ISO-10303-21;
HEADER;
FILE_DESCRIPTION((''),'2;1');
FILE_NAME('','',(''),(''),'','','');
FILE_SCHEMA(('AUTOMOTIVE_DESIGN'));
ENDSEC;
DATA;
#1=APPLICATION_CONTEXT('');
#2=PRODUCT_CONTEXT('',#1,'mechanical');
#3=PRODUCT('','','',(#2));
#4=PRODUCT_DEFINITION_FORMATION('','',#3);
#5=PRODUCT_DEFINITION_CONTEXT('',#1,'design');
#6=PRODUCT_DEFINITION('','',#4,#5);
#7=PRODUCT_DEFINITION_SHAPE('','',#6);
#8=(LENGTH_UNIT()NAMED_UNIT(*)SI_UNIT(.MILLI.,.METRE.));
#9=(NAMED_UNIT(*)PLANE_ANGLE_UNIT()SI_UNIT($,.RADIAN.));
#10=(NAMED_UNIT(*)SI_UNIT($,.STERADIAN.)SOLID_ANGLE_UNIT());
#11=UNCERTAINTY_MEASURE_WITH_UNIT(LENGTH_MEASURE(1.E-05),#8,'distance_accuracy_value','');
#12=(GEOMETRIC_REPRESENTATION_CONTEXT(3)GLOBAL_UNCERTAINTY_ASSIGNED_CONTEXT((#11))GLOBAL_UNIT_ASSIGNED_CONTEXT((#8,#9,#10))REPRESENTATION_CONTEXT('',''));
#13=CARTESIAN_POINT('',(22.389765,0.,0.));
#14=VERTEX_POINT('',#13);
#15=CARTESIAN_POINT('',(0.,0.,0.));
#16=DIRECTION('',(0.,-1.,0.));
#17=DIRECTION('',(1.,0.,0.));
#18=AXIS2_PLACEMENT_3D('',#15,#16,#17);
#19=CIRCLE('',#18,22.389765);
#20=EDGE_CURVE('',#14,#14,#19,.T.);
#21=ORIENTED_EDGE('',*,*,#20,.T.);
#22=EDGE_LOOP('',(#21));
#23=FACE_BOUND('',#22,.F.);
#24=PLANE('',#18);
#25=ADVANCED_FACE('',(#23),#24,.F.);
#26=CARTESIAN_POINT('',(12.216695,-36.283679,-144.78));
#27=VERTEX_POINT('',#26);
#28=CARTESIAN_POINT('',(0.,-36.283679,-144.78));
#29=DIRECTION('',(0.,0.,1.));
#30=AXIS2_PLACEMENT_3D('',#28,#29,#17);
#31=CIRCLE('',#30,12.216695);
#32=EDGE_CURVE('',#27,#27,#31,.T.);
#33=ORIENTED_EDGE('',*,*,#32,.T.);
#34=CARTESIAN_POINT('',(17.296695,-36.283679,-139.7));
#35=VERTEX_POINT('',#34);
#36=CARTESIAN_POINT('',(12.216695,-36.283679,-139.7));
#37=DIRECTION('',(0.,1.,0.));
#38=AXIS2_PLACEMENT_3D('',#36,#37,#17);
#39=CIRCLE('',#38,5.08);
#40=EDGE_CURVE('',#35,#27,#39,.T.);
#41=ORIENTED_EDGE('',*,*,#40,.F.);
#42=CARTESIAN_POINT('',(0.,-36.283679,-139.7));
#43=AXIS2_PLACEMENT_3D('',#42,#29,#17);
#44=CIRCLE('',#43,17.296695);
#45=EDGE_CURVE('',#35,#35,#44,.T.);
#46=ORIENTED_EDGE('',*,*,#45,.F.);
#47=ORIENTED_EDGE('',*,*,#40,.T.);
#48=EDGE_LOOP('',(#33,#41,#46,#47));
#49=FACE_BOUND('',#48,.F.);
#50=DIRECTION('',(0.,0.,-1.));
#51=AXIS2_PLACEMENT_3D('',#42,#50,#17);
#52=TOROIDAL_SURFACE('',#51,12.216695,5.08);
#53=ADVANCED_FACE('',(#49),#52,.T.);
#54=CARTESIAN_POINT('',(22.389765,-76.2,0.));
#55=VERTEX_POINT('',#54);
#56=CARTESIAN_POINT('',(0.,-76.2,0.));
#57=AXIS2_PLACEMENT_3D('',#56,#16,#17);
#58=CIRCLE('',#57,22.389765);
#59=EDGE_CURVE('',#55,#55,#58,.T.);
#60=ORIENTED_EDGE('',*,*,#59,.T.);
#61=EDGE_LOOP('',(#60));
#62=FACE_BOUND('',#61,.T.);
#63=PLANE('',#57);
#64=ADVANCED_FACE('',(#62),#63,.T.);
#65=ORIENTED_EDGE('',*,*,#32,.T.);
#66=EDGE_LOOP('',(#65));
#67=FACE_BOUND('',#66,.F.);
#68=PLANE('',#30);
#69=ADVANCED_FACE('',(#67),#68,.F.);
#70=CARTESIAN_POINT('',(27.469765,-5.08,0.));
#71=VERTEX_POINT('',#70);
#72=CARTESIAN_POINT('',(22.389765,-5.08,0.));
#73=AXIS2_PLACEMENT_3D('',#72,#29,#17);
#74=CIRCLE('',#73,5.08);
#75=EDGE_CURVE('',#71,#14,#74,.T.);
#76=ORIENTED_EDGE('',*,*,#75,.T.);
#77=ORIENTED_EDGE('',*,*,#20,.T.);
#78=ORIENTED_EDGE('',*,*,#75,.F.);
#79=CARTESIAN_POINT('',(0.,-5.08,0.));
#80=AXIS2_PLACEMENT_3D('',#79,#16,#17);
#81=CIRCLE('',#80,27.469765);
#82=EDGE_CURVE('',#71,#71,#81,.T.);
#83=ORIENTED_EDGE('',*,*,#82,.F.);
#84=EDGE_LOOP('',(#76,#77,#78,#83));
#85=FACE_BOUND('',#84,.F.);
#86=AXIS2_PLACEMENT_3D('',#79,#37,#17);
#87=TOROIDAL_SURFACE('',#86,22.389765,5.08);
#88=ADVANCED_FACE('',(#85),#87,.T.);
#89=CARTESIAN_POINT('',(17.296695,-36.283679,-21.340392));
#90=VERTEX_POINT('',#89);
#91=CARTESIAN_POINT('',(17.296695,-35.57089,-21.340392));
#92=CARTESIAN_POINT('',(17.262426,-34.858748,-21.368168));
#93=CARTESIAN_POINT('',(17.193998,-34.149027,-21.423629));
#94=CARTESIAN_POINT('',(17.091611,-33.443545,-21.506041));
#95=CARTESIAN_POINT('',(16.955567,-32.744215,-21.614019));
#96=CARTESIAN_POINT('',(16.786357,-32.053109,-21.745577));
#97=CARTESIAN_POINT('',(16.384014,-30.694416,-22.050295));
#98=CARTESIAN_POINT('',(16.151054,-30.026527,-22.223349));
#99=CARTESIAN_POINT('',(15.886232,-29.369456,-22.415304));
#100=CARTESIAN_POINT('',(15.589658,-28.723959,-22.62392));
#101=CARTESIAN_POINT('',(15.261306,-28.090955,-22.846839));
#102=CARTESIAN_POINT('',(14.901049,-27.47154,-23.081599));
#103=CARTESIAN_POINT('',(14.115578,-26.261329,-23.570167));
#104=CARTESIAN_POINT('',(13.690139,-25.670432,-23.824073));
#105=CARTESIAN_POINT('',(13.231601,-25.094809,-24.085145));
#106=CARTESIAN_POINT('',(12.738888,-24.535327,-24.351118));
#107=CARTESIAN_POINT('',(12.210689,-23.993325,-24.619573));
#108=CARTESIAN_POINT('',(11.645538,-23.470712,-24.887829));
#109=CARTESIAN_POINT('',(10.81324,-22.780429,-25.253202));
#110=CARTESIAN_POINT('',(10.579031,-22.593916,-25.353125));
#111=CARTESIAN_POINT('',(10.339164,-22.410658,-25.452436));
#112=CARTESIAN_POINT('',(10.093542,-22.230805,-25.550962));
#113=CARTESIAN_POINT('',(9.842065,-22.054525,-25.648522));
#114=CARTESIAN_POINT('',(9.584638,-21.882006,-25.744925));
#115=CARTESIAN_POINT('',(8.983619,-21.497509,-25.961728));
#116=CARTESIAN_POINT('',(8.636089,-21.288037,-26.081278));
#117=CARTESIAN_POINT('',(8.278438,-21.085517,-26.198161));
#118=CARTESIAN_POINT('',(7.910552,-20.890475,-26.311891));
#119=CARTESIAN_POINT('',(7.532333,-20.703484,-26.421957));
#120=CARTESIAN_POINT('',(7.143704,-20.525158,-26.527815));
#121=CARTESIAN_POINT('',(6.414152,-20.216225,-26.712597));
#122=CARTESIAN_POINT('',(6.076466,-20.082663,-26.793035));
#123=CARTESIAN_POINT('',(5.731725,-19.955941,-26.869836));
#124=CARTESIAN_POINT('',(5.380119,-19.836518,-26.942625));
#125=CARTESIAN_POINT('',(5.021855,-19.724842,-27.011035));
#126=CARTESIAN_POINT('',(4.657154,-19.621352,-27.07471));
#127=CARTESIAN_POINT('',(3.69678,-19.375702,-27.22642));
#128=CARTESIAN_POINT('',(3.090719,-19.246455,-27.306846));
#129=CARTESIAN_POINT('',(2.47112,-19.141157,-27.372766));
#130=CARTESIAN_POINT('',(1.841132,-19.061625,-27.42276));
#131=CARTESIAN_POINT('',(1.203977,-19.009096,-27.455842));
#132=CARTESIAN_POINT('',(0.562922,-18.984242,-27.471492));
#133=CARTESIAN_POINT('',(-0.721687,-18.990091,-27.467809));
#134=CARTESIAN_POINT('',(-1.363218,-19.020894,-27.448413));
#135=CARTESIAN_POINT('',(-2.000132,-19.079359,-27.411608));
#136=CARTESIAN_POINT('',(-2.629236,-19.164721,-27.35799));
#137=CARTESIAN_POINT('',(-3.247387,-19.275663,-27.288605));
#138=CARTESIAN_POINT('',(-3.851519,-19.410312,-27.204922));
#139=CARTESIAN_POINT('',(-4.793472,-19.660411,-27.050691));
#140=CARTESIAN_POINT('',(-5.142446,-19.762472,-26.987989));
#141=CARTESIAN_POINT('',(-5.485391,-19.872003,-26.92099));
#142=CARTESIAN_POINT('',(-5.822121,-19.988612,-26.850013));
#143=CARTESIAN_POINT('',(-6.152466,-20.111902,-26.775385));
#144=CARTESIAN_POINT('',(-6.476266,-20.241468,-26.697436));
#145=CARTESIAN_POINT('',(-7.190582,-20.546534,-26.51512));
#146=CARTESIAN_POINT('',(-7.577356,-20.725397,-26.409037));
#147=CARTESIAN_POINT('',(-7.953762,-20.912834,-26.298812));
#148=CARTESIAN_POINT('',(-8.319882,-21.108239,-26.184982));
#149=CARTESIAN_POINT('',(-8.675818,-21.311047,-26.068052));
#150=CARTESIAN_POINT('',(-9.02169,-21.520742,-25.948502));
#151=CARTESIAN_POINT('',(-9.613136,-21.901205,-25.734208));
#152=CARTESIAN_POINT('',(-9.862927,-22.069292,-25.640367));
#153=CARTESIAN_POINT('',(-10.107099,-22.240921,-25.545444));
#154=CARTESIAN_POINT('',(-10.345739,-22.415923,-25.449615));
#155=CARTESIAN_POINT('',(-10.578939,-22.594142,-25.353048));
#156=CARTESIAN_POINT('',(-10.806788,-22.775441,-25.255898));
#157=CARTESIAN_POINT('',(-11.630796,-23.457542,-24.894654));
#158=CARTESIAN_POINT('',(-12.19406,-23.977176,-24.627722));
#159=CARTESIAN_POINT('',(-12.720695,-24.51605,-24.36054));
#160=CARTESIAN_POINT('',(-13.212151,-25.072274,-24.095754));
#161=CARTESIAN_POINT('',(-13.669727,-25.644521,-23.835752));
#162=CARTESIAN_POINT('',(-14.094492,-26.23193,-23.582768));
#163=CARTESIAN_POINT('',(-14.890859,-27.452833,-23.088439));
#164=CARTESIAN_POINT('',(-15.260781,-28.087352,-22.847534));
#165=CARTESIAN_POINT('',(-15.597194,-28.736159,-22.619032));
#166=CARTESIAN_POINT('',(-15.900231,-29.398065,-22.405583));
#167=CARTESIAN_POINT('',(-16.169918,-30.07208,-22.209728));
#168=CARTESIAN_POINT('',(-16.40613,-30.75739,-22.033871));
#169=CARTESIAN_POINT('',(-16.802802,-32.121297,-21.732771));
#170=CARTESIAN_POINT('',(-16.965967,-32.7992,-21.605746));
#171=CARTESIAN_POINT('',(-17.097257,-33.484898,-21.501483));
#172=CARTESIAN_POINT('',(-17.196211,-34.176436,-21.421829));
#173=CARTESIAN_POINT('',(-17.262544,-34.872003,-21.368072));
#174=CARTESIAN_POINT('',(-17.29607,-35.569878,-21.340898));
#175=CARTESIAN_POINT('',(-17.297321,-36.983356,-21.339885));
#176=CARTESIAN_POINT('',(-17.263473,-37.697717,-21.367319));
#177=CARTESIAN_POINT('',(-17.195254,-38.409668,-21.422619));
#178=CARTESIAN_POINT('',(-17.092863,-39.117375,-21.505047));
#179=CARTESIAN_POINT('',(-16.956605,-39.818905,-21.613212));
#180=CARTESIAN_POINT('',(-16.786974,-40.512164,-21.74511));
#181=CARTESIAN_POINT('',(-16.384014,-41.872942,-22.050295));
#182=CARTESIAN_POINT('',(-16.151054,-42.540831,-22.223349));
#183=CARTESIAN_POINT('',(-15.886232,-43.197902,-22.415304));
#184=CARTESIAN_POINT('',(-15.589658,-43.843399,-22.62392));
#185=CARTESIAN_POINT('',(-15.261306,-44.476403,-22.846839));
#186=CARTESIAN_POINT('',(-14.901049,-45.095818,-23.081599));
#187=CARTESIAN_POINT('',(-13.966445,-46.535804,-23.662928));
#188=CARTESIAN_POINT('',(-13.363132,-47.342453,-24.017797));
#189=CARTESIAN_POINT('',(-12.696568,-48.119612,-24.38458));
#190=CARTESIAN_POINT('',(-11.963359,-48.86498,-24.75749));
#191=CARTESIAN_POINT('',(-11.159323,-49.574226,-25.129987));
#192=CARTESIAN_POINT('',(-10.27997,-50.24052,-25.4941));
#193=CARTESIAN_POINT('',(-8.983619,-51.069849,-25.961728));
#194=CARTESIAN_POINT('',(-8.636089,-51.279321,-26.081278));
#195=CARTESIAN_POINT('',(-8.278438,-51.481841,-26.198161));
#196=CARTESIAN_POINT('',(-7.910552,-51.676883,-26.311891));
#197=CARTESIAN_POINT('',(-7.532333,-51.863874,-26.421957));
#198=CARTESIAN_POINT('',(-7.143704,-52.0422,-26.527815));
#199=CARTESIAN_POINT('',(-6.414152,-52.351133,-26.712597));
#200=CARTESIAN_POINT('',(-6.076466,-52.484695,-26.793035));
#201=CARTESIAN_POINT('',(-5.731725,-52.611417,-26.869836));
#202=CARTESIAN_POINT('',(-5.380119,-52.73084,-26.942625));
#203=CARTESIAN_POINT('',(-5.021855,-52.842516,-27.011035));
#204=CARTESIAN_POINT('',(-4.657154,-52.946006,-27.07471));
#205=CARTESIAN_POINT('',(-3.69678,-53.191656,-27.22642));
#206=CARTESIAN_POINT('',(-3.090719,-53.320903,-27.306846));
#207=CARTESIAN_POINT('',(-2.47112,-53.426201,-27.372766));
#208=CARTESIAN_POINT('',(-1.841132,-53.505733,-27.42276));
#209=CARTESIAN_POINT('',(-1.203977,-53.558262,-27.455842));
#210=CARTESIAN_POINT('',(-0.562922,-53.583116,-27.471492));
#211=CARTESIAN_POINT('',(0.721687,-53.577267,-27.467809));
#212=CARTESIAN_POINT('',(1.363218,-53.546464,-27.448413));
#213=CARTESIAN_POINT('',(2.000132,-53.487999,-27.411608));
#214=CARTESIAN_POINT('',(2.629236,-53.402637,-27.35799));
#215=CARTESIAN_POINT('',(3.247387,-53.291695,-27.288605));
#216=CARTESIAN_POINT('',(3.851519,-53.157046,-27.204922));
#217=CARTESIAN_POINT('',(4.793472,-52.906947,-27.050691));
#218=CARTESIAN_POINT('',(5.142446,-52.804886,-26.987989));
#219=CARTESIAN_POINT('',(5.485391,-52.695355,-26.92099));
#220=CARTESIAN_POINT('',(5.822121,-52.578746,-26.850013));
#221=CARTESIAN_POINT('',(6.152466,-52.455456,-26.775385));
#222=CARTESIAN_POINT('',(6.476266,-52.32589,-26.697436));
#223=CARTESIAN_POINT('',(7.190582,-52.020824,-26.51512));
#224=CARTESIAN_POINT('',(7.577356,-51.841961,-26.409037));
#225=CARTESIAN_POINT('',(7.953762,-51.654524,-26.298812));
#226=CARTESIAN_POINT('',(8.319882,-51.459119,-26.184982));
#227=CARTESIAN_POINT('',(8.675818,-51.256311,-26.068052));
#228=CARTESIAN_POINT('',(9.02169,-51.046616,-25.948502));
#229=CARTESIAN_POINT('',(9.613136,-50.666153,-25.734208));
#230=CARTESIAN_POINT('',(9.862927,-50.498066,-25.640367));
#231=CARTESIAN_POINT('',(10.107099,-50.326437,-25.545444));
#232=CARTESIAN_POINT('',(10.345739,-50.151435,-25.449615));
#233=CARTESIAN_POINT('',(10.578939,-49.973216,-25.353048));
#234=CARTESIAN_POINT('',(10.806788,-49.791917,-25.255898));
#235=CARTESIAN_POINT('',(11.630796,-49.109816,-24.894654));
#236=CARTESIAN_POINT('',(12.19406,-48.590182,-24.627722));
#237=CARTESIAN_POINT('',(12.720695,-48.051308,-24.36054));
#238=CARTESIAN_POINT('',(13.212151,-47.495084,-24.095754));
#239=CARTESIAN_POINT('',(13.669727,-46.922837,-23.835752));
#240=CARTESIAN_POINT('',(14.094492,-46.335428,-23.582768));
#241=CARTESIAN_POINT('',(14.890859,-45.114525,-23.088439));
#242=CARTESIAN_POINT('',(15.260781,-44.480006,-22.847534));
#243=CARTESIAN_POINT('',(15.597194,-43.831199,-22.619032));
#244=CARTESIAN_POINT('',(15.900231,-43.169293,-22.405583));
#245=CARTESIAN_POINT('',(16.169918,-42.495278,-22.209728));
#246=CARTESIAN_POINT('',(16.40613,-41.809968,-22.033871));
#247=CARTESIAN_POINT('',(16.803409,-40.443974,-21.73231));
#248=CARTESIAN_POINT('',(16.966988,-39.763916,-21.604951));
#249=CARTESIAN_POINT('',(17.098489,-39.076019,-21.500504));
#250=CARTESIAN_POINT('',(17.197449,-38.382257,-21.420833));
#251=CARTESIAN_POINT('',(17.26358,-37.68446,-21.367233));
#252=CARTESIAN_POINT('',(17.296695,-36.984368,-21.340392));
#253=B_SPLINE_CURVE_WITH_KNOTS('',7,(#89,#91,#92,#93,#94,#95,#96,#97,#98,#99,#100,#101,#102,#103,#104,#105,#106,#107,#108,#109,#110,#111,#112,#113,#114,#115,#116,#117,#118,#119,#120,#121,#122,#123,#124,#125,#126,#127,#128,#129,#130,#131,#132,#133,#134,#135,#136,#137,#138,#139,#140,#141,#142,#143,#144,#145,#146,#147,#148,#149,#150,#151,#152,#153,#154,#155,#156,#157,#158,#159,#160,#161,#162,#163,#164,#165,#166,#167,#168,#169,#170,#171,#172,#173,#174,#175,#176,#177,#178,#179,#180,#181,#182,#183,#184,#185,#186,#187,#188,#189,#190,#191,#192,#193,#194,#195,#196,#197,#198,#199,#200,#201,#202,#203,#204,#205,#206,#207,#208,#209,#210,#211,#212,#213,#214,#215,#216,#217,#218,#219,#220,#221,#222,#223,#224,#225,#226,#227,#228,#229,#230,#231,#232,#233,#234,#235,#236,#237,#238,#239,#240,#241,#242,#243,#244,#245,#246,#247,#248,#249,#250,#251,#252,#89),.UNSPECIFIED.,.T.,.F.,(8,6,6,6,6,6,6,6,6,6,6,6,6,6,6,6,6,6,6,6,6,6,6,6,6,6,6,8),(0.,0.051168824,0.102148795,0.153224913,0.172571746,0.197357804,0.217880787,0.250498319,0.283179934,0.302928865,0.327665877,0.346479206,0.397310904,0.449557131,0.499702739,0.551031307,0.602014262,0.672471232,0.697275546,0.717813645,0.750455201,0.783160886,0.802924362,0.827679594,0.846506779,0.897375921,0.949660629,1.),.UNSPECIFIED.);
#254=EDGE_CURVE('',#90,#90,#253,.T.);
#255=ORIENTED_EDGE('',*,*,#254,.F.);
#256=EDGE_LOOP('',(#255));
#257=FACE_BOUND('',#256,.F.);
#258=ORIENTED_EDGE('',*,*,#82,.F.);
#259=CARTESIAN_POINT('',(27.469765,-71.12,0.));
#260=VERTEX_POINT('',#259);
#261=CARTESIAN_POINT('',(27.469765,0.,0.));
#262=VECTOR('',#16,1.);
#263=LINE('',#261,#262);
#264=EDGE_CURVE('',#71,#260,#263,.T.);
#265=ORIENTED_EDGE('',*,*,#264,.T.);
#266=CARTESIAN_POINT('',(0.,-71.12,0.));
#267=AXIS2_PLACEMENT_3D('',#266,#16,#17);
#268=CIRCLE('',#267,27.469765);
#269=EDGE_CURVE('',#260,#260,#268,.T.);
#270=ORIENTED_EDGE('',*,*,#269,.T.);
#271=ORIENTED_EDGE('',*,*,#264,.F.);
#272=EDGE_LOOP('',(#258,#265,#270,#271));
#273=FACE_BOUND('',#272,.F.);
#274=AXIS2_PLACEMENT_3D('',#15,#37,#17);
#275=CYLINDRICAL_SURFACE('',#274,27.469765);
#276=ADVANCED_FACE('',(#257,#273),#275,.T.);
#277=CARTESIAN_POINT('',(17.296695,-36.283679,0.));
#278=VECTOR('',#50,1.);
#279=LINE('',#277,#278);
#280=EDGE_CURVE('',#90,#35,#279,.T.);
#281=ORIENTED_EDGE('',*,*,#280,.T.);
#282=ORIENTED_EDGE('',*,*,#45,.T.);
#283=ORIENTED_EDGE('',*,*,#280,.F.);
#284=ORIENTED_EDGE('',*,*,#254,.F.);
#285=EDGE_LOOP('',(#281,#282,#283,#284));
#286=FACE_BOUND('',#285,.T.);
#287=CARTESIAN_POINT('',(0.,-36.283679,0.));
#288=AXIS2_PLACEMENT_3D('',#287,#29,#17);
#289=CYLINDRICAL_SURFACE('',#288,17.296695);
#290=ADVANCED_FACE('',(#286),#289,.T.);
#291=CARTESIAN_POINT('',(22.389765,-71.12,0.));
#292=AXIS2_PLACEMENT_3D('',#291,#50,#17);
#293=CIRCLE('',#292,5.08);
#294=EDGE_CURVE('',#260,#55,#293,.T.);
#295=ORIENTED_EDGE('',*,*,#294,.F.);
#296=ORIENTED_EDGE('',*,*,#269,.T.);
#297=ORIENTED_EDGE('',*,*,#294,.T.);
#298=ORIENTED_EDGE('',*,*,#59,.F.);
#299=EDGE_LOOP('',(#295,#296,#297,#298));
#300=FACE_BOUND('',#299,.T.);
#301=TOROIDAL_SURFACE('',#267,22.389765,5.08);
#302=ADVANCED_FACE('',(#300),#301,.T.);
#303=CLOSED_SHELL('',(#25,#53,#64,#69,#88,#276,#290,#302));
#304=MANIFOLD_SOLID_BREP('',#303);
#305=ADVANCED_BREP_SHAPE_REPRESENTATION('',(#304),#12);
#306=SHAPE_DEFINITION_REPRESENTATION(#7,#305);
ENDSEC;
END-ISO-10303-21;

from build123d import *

# Parameters (mm, degrees)
F0_R     = 27.469765
F1_DEPTH = 76.2
F2_R     = 17.296695
F3_DEPTH = 144.78
F4_R     = 5.08
F5_R     = 5.08
F6_R     = 5.08


with BuildPart() as f1:
    # F0 (on Front) → F1 (new body)
    with BuildSketch(Plane.XZ):
        Circle(F0_R)
    extrude(amount=F1_DEPTH)

    # F2 (on Top) → F3 (join)
    with BuildSketch(Plane.XY):
        with Locations((0, -36.283679)):
            Circle(F2_R)
    extrude(amount=-F3_DEPTH)

    # F4
    f4_edges = [f1.edges().sort_by_distance(p)[0] for p in [
        (-17.296695, -36.283679, -144.78),
    ]]
    fillet(f4_edges, radius=F4_R)

    # F5
    f5_edges = [f1.edges().sort_by_distance(p)[0] for p in [
        (-27.469765, 0, 0),
    ]]
    fillet(f5_edges, radius=F5_R)

    # F6
    f6_edges = [f1.edges().sort_by_distance(p)[0] for p in [
        (-27.469765, -76.2, 0),
    ]]
    fillet(f6_edges, radius=F6_R)


solid = f1.part
